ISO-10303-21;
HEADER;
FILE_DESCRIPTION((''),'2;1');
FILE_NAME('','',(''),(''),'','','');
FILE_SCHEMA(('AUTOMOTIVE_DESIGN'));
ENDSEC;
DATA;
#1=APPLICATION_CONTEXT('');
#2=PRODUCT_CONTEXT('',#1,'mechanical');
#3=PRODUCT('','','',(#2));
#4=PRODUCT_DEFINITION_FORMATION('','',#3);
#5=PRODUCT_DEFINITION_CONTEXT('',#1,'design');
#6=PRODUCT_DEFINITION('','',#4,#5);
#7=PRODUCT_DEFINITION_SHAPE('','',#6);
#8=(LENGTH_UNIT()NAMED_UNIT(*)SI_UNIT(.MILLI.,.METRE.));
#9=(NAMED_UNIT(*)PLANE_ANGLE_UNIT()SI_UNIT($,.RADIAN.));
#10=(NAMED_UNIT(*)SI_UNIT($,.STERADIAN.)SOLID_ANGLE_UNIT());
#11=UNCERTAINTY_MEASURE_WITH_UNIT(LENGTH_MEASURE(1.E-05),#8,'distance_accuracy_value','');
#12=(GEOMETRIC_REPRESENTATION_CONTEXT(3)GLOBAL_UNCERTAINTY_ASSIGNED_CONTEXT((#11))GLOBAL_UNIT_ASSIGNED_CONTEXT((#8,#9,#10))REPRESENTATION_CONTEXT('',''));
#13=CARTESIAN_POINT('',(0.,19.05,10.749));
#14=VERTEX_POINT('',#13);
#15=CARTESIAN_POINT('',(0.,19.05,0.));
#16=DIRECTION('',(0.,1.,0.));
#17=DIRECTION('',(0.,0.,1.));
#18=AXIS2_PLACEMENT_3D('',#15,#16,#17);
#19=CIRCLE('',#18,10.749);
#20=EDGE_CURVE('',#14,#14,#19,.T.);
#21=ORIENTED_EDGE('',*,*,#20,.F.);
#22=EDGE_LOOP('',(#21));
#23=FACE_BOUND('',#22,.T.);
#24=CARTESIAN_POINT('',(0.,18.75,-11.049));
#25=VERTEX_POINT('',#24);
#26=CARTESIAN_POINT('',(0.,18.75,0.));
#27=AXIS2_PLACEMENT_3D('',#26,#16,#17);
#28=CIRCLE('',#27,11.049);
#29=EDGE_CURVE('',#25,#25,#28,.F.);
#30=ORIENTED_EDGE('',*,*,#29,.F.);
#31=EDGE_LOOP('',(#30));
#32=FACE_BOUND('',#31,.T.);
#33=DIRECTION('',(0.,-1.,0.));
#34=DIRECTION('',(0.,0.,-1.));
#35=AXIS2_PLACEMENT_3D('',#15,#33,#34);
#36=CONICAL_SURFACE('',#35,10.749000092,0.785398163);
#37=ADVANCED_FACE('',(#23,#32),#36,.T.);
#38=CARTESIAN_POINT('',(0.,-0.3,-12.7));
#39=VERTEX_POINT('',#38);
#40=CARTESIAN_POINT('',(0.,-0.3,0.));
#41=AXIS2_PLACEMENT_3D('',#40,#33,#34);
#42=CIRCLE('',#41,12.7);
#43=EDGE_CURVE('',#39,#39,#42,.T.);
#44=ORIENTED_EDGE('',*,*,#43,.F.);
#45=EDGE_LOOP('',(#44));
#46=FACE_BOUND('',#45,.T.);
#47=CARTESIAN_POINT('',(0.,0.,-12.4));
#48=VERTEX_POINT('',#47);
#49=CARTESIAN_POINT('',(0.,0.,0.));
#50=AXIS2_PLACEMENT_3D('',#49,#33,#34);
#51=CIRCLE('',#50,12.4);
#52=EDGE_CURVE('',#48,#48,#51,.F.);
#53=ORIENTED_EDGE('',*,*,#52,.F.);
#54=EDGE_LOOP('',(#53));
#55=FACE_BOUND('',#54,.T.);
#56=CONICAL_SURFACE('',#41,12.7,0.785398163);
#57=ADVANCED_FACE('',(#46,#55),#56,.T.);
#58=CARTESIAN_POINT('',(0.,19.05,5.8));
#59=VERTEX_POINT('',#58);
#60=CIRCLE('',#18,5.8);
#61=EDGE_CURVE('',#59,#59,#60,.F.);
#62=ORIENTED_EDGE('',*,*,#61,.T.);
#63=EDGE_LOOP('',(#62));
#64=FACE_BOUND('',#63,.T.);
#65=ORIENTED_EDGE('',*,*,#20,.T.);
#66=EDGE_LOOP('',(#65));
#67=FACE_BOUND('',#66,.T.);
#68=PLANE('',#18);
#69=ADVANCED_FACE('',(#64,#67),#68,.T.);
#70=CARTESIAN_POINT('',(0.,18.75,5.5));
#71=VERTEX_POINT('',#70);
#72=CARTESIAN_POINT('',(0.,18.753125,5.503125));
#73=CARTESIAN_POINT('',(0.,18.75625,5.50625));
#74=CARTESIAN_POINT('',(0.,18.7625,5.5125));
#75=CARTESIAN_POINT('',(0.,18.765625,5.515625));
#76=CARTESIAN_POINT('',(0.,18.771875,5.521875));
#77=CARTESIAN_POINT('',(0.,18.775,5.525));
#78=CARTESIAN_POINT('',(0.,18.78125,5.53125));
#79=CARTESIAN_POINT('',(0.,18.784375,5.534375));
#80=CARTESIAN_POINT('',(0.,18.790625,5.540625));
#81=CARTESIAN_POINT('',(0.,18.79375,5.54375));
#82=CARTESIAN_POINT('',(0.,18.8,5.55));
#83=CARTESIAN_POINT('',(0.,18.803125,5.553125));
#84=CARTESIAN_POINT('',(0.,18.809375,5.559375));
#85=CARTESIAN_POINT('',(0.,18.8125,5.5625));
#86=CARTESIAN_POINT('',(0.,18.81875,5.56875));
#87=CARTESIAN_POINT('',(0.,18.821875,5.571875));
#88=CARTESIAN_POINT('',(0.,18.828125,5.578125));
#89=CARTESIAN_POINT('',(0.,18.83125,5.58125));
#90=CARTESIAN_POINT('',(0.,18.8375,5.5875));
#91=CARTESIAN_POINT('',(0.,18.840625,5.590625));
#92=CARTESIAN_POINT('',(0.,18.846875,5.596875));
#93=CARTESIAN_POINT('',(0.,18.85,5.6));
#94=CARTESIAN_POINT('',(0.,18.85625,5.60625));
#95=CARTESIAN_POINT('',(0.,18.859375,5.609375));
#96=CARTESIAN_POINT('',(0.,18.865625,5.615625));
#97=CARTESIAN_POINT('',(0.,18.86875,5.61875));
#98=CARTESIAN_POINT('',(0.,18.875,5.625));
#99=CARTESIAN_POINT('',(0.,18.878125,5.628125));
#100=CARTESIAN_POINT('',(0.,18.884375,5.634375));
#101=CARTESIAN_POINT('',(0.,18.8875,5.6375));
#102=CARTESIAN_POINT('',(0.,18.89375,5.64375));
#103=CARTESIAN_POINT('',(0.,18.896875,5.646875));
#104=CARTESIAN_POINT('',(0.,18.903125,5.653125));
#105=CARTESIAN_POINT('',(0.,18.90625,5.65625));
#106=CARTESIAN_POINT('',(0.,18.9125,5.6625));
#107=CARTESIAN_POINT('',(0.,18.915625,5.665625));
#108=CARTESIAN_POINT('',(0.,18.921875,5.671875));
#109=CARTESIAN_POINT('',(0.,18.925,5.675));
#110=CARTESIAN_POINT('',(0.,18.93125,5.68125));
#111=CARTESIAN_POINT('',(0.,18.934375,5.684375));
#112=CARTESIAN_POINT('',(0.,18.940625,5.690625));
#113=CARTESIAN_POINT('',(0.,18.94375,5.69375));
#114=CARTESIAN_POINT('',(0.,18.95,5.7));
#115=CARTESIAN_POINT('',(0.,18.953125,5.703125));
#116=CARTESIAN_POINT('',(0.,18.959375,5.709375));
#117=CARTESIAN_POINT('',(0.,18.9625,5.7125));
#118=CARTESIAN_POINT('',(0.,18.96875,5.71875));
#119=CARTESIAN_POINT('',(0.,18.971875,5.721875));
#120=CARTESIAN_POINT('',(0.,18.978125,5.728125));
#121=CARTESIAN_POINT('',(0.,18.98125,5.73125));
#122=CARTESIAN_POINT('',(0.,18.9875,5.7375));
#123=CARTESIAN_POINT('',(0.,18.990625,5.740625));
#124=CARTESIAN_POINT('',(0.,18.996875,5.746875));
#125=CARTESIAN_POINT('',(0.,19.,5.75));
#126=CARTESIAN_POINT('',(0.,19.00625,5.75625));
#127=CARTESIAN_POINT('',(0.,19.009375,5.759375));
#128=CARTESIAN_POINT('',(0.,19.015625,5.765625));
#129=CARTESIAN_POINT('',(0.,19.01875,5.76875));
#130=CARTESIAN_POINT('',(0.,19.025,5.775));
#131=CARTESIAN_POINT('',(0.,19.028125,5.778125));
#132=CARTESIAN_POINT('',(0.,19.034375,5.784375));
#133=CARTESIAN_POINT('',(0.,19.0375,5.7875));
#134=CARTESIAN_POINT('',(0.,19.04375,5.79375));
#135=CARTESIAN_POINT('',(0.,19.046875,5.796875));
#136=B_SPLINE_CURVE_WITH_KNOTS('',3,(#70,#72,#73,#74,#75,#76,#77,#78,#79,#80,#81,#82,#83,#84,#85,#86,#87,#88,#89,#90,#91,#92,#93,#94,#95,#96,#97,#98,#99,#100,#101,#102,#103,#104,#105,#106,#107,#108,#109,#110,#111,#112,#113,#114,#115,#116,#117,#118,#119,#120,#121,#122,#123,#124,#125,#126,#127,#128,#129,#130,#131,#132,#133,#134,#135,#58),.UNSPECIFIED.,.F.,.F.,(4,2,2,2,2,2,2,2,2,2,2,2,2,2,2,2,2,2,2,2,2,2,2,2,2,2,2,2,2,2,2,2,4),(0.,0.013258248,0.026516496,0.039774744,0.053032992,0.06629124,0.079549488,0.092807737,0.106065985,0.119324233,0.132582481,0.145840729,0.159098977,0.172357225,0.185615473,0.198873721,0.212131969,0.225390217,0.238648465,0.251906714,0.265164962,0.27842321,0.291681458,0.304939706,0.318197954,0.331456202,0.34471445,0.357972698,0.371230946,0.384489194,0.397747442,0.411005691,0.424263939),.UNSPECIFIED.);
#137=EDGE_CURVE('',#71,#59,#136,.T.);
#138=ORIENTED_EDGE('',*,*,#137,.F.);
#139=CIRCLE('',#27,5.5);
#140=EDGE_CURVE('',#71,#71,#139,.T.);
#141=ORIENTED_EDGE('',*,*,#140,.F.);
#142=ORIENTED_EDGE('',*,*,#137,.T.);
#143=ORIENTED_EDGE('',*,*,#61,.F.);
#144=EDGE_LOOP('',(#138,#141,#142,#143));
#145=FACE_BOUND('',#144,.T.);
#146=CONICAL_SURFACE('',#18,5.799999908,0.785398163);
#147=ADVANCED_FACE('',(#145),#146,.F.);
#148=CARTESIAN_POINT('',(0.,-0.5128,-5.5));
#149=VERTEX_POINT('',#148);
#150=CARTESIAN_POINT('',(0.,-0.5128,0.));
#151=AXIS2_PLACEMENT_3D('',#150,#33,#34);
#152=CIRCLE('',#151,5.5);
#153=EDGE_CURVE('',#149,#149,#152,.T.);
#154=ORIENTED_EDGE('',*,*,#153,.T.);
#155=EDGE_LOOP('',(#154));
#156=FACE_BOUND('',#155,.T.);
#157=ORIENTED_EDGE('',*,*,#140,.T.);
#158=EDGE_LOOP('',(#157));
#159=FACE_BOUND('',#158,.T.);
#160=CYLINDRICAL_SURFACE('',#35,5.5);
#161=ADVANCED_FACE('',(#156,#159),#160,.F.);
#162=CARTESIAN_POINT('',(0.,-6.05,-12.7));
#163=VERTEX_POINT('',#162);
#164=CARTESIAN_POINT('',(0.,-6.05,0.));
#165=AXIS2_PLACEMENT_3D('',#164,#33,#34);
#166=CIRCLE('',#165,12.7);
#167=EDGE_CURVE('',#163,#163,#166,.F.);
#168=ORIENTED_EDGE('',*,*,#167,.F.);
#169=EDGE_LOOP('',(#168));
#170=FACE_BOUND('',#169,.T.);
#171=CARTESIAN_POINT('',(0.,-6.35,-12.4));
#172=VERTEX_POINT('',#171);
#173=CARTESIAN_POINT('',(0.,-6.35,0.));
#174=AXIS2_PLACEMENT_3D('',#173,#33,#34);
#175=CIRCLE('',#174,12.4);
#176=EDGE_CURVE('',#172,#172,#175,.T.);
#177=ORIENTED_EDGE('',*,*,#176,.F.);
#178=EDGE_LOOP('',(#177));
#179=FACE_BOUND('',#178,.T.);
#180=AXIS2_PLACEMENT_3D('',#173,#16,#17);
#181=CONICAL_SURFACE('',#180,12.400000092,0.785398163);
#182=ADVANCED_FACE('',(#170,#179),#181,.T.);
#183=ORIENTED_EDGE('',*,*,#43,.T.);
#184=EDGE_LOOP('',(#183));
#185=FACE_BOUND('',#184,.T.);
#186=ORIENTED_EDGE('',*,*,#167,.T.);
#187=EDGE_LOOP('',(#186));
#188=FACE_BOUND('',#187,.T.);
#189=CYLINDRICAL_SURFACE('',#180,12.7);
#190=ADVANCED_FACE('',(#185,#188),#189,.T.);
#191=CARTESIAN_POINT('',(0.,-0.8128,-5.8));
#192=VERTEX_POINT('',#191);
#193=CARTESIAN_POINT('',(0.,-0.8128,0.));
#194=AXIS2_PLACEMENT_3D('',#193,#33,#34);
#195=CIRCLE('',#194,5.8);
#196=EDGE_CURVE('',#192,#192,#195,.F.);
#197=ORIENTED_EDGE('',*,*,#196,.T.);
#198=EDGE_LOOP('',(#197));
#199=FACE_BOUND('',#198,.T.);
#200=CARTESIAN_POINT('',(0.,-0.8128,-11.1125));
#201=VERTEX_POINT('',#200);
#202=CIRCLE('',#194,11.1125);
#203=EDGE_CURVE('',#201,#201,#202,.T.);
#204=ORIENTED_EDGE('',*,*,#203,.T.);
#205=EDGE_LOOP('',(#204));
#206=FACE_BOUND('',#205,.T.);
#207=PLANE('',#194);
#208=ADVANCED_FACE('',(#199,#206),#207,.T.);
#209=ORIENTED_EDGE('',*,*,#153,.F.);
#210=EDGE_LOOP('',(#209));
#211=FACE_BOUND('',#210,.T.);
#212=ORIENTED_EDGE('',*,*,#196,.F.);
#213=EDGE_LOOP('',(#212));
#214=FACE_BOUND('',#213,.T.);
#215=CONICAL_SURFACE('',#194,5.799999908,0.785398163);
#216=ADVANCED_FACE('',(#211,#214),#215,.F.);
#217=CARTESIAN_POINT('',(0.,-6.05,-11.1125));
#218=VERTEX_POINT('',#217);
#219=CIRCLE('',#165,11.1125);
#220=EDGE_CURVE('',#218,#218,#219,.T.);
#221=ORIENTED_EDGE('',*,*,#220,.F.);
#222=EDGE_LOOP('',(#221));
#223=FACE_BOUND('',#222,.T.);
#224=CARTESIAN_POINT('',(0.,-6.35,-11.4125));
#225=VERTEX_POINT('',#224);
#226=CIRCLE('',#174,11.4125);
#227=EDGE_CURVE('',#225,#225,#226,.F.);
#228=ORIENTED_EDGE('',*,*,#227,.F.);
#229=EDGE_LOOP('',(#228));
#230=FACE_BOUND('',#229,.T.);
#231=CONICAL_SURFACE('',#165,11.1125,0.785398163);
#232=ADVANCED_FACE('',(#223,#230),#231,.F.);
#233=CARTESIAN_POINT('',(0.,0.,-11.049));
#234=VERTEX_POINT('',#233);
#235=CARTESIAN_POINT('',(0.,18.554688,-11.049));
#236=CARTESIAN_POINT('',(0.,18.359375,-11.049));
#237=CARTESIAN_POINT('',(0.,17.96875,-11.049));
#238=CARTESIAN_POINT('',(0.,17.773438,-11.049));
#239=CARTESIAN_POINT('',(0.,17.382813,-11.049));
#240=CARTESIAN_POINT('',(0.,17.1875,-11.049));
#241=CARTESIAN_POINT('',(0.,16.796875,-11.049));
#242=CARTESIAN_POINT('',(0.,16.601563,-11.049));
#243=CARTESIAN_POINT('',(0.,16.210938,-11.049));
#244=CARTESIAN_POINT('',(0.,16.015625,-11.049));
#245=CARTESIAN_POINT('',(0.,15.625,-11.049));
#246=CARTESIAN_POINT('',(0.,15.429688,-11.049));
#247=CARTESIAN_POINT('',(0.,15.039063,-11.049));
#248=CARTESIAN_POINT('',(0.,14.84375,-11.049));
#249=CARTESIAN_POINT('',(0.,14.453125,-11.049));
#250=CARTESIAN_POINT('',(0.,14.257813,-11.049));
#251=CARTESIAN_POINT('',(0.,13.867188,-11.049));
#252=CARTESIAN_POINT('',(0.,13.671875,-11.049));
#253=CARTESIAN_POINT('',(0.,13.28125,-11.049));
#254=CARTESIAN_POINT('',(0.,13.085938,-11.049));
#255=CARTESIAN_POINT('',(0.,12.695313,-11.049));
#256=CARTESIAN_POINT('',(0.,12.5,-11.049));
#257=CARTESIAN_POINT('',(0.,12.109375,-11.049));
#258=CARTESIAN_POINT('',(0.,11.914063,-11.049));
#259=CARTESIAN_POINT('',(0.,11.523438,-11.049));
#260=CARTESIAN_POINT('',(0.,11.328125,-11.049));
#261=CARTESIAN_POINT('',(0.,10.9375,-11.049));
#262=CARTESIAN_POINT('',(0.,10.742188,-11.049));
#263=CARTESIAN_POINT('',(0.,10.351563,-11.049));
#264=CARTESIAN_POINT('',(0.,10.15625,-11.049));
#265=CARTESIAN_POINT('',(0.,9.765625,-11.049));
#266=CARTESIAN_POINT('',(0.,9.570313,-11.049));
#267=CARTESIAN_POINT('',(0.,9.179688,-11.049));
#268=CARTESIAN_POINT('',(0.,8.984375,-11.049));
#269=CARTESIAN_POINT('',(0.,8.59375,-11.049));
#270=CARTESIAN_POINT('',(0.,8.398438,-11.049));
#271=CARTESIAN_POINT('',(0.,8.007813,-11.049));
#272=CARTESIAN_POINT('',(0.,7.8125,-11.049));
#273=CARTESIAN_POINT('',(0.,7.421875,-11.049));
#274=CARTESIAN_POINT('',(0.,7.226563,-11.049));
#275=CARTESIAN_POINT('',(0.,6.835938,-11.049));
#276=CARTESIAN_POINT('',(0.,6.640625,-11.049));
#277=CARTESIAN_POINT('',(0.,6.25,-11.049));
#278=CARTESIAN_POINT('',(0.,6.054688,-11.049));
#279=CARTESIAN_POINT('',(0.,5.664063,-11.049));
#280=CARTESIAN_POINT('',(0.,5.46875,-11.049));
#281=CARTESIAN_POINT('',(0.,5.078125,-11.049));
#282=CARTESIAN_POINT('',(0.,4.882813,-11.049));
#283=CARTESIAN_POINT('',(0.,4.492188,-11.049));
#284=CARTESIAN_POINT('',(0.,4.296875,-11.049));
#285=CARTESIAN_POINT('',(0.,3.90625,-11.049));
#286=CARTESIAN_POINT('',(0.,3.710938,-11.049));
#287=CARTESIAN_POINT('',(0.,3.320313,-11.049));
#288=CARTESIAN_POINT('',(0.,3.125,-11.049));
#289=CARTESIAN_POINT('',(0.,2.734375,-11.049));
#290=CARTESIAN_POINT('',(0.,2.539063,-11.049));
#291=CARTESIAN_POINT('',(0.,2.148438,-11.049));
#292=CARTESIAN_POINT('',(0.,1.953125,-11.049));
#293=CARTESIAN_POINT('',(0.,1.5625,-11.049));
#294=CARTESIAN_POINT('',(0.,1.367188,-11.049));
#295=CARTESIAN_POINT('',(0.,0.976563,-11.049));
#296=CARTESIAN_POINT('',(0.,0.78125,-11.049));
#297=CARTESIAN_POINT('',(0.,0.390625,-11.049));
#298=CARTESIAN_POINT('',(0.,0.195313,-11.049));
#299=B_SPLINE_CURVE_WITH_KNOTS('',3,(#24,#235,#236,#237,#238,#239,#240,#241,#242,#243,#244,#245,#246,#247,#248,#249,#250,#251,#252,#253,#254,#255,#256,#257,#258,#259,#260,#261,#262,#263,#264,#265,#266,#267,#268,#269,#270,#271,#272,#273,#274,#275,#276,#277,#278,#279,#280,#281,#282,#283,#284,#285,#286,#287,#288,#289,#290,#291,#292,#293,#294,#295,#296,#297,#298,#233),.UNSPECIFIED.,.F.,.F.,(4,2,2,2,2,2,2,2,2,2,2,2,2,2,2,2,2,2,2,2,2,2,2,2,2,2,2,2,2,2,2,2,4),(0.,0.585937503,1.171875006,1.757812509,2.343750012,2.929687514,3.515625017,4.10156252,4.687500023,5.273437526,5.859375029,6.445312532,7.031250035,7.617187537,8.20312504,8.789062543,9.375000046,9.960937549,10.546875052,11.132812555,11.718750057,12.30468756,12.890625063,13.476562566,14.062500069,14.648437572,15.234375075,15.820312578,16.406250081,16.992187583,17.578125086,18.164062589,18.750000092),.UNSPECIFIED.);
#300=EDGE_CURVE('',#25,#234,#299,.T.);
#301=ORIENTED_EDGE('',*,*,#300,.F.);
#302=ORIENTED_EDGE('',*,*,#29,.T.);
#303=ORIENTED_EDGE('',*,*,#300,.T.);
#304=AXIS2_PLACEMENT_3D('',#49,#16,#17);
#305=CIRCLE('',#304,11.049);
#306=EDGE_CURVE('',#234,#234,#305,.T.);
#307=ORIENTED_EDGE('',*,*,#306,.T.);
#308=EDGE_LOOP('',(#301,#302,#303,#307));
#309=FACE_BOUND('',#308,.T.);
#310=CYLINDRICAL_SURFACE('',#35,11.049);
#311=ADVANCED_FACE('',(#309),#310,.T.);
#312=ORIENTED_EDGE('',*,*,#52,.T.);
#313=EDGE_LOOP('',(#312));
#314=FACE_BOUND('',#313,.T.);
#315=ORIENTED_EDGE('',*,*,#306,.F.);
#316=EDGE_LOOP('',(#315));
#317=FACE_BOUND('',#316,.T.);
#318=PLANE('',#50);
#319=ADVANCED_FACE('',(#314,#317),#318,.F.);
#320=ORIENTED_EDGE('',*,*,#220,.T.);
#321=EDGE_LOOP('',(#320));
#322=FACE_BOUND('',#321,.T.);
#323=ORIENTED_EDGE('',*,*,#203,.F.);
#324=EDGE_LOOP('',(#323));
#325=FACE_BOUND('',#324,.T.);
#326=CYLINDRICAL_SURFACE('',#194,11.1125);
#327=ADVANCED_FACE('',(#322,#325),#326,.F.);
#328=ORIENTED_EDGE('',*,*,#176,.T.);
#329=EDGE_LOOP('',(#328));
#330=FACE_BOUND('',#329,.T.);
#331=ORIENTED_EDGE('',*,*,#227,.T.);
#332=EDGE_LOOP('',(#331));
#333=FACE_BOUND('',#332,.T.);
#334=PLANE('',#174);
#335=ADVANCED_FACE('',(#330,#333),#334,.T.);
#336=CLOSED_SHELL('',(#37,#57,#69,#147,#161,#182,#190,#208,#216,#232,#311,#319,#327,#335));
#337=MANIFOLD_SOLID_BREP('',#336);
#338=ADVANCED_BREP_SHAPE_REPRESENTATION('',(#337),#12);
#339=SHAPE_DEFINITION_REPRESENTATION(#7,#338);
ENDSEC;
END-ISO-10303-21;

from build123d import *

# Parameters (mm, degrees)
SKETCH1_R           = 11.049
BOSS_EXTRUDE1_DEPTH = 19.05
SKETCH2_R           = 12.7
BOSS_EXTRUDE2_DEPTH = 6.35
SKETCH3_R           = 5.5
CUT_EXTRUDE1_DEPTH  = 32.108519733
SKETCH4_R           = 11.1125
CUT_EXTRUDE2_DEPTH  = 5.5372
CHAMFER1_SIZE       = 0.299999908


with BuildPart() as part:
    # Sketch1 → Boss-Extrude1 (new body)
    with BuildSketch(Plane(origin=(0, 0, 0), x_dir=(1, 0, 0), z_dir=(0, 1, 0))):
        with Locations(Location((0, 0, 0), (0, 0, 90))):
            Circle(SKETCH1_R)
    extrude(amount=BOSS_EXTRUDE1_DEPTH)

    # Sketch2 → Boss-Extrude2 (add)
    with BuildSketch(Plane.XZ):
        with Locations(Location((0, 0, 0), (0, 0, 270))):
            Circle(SKETCH2_R)
    extrude(amount=BOSS_EXTRUDE2_DEPTH)

    # Sketch3 → Cut-Extrude1 (cut, through all)
    with BuildSketch(Plane.XZ.offset(6.35)):
        with Locations(Location((0, 0, 0), (0, 0, 270))):
            Circle(SKETCH3_R)
    extrude(amount=-CUT_EXTRUDE1_DEPTH, mode=Mode.SUBTRACT)

    # Sketch4 → Cut-Extrude2 (cut)
    with BuildSketch(Plane.XZ.offset(6.35)):
        with Locations(Location((0, 0, 0), (0, 0, 270))):
            Circle(SKETCH4_R)
    extrude(amount=-CUT_EXTRUDE2_DEPTH, mode=Mode.SUBTRACT)

    # Chamfer1
    chamfer1_edges = [part.edges().sort_by_distance(p)[0] for p in [
        (0, 19.05, 5.5),
        (0, -6.35, 11.1125),
        (0, -0.8128, 5.5),
        (0, 19.05, 11.049),
        (0, 0, 12.7),
        (0, -6.35, 12.7),
    ]]
    chamfer(chamfer1_edges, length=CHAMFER1_SIZE)


solid = part.part
